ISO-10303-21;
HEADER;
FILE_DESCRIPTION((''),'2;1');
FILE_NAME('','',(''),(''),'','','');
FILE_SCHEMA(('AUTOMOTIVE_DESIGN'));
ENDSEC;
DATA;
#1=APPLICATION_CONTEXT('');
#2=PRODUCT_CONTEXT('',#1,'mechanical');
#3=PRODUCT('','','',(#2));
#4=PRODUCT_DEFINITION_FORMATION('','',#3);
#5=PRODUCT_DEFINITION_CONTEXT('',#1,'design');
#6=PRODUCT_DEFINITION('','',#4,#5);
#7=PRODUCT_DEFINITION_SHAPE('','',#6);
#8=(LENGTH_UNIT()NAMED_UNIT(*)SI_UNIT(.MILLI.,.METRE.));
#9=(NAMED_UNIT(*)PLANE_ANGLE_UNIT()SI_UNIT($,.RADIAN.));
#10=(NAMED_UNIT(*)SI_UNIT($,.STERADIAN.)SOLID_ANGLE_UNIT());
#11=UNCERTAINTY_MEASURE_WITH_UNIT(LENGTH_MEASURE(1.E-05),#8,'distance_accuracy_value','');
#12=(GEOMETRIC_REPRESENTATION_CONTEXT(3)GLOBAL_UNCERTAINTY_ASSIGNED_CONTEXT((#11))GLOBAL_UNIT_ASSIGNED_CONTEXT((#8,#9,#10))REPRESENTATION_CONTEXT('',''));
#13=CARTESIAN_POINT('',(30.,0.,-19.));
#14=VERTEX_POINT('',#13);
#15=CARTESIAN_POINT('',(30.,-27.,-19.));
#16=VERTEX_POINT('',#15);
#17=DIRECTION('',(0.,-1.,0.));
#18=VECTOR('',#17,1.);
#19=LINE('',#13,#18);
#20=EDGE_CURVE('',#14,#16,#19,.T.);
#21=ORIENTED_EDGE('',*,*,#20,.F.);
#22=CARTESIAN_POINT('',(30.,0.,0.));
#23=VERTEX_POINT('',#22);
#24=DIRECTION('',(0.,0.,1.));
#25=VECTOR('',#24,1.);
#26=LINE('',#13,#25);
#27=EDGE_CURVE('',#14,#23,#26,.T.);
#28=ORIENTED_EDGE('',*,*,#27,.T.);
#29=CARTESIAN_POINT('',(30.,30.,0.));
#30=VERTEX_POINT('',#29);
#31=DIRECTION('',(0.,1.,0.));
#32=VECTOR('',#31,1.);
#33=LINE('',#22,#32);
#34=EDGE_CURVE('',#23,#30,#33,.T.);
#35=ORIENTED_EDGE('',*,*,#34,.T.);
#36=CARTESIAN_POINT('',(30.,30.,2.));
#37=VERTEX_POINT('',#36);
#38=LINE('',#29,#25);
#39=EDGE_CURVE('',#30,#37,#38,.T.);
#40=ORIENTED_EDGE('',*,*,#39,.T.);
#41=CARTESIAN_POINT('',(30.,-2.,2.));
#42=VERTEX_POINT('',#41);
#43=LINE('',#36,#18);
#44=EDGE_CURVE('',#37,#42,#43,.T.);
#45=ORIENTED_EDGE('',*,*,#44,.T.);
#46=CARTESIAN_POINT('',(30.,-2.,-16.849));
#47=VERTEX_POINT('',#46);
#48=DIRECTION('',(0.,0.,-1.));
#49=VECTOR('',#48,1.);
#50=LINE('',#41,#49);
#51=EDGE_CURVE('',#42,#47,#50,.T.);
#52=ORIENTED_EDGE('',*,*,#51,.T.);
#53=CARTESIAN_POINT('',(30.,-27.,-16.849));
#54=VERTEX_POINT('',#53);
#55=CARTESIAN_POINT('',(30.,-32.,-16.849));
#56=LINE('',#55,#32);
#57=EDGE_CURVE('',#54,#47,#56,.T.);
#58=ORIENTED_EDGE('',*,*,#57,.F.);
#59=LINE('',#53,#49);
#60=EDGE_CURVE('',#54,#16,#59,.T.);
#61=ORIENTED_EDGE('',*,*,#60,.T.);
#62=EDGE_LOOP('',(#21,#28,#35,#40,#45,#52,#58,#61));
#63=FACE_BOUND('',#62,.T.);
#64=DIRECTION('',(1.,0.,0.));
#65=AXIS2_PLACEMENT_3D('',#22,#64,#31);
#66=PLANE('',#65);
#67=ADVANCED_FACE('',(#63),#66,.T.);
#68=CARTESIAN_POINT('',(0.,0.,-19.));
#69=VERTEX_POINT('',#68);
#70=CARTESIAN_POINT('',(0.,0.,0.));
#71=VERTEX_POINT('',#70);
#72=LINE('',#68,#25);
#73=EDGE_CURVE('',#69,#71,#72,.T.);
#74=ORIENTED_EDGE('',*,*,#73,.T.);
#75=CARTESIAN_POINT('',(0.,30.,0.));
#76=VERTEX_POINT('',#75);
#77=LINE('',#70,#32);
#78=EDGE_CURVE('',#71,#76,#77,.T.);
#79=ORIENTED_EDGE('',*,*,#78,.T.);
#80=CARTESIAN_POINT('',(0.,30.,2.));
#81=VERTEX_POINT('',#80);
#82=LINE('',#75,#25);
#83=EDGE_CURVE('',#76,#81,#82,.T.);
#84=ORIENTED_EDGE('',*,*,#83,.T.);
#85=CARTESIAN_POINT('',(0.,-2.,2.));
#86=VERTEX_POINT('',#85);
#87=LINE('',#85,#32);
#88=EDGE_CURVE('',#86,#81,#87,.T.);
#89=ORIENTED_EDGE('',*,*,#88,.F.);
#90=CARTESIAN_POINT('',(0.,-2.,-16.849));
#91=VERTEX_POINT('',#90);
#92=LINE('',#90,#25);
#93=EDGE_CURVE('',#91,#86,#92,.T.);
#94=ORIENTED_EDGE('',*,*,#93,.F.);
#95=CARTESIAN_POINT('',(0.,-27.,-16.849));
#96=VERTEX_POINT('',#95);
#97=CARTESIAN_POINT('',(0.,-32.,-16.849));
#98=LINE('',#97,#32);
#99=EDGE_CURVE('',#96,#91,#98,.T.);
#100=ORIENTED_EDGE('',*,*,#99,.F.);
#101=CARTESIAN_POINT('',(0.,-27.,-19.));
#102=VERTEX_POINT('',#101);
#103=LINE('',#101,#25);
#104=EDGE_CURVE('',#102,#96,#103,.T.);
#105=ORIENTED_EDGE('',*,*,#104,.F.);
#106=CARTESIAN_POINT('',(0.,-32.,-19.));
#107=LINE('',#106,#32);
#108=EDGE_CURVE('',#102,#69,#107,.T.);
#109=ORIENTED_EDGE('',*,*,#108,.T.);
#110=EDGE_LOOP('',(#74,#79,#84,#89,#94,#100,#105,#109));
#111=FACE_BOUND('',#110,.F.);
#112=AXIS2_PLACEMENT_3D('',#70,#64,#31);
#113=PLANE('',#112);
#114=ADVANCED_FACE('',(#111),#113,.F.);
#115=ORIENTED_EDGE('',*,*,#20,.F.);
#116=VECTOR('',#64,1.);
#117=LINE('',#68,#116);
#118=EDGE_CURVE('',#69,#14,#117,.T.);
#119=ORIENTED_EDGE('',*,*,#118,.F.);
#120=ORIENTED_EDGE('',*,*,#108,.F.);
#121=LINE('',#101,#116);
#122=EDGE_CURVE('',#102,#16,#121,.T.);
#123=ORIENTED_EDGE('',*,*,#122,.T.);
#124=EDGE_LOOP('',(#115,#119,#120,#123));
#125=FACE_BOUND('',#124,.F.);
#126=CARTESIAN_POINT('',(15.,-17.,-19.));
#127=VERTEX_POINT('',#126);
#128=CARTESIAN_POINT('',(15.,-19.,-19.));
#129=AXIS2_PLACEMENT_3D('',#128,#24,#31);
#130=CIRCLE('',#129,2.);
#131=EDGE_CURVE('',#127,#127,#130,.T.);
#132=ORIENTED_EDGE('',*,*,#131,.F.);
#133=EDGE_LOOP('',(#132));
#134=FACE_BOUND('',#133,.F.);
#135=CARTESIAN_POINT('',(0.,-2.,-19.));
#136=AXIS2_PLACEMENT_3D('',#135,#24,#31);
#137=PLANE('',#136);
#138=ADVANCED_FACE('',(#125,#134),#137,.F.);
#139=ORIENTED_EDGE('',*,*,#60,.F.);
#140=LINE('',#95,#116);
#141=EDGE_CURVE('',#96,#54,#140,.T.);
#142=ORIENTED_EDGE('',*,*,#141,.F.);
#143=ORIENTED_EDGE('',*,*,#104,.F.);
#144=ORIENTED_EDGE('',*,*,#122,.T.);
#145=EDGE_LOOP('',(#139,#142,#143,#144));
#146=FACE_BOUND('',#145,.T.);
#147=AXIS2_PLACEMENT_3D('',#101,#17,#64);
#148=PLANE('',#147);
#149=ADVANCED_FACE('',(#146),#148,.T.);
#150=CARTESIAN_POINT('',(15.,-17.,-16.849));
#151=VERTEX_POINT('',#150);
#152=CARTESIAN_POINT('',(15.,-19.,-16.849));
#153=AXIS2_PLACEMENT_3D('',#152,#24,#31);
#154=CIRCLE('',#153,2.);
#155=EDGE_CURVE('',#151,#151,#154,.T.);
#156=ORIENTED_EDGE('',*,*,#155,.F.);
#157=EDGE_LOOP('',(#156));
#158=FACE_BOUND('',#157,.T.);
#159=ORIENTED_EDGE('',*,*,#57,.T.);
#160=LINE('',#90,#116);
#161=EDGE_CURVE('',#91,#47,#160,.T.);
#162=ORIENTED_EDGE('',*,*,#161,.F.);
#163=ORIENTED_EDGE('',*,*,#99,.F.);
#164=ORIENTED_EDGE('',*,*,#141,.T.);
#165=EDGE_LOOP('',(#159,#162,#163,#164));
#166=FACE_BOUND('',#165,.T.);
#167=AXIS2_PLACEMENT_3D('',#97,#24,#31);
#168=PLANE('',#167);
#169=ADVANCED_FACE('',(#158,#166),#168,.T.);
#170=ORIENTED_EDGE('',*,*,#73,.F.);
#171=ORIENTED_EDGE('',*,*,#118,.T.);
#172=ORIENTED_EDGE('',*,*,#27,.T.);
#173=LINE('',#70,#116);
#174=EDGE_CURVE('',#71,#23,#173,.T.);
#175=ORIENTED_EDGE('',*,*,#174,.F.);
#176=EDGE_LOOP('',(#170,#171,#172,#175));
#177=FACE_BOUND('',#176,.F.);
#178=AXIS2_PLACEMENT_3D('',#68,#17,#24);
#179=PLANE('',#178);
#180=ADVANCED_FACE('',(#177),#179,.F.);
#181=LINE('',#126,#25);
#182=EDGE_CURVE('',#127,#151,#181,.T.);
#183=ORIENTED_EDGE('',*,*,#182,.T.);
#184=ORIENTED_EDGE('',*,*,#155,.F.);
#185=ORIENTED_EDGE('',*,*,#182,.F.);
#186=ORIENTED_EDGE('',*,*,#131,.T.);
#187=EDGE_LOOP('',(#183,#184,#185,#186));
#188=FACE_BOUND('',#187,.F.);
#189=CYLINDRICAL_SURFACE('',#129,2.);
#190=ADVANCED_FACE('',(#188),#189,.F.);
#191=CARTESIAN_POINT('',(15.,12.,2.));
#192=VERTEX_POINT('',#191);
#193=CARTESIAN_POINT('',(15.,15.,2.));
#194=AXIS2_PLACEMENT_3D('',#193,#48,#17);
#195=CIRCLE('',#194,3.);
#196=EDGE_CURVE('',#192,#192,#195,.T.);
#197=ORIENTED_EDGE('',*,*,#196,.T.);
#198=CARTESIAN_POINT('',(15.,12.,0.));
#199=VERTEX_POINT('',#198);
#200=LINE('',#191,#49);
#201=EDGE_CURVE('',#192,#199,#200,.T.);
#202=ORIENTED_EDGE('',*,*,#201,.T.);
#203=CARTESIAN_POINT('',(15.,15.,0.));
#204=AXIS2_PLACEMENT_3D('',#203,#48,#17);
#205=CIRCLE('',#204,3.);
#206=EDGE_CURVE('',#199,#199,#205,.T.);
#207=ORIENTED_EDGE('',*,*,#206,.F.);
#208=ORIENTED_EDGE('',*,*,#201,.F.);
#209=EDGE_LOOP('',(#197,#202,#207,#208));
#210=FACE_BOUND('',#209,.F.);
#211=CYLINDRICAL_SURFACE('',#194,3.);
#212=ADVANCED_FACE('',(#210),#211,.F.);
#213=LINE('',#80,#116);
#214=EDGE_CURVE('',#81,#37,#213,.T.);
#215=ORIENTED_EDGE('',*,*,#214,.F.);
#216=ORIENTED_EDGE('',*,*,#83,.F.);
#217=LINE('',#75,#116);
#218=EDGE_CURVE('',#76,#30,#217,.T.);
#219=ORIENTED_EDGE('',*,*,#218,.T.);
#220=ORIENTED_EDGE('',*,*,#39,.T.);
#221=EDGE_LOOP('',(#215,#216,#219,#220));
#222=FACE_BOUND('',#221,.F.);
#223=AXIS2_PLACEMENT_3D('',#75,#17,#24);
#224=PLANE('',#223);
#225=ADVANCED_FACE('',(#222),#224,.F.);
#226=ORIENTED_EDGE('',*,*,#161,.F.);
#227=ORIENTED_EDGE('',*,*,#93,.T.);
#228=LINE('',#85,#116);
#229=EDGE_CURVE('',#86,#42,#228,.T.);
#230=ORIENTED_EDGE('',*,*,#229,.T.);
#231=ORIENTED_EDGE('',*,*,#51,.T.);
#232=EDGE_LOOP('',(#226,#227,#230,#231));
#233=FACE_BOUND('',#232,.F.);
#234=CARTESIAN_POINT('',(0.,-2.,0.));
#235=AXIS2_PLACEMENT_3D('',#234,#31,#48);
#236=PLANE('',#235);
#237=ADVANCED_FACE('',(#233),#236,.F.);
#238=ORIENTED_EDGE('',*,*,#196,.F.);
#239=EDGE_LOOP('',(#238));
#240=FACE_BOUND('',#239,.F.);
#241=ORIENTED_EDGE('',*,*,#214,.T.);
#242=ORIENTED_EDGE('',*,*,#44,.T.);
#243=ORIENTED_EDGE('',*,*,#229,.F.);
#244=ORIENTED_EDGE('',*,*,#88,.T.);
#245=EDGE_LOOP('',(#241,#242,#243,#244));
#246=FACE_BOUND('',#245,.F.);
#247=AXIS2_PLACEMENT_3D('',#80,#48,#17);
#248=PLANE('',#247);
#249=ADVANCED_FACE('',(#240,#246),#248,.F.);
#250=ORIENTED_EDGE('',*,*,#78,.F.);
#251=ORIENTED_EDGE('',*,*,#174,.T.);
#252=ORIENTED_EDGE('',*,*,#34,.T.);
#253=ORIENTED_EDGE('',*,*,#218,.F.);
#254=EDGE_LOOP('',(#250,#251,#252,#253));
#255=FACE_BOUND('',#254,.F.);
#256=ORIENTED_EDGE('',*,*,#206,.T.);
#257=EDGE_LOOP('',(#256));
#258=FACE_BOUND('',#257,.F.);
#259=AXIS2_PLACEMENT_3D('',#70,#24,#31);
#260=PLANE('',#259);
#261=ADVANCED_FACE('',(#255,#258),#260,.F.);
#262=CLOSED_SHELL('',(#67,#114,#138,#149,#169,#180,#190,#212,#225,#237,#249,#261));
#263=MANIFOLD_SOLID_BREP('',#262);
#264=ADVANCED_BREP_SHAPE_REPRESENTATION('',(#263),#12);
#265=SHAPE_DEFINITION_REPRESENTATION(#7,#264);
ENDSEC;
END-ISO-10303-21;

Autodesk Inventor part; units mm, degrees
ref_plane "YZ Plane" through (0, 0, 0) normal (1, 0, 0) x (0, 1, 0)
ref_plane "XZ Plane" through (0, 0, 0) normal (0, 1, 0) x (-1, 0, 0)
ref_plane "XY Plane" through (0, 0, 0) normal (0, 0, 1) x (1, 0, 0)
sketch "Sketch1" plane through (0, 0, 0) normal (1, 0, 0) x (0, 1, 0)
  line L0 (0, 0) -> (-2, 0)
  line L1 (-2, 0) -> (-2, -19)
  line L2 (-2, -19) -> (0, -19)
  line L3 (0, -19) -> (0, 0)
  line L4 (0, 0) -> (30, 0)
  line L5 (30, 0) -> (30, 2)
  line L6 (30, 2) -> (0, 2)
  line L7 (0, 2) -> (0, 0)
  line L8 (-2, -19) -> (-32, -19)
  line L9 (-32, -19) -> (-32, -16.849)
  line L10 (-32, -16.849) -> (-2, -16.849)
  line L11 (-2, -16.849) -> (-2, -19)
  line L12 (0, 0) -> (-2, 0)
  line L13 (-2, 0) -> (-2, 2)
  line L14 (-2, 2) -> (0, 2)
  line L15 (0, 2) -> (0, 0)
  point P0 (-2, -16.849)
  dimension "d0" = 2
  dimension "d1" = 19
  dimension "d2" = 30
  dimension "d3" = 2
  dimension "d4" = 30
extrude "Extrusion1" add sketch "Sketch1" along normal blind 30
sketch "Sketch2" plane through (0, -2, 2) normal (0, 0, 1) x (1, 0, 0)
  line L0 (0, 0) -> (30, 0) projected
  line L1 (0, 0) -> (15, 0)
  line L2 (15, 0) -> (15, 17)
  circle A0 centre (15, 17) radius 3
  point P0 (0, 2)
  dimension "d7" = 17
  dimension "d8" = 6
hole "Hole1" at (15, 15, 2) direction (0, 0, -1) diameter 6 end through all
sketch "Sketch4" plane through (0, -32, -19) normal (0, 0, -1) x (-1, 0, 0)
  line L0 (0, 32) -> (-15, 32)
  line L1 (0, 32) -> (-30, 32) projected
  line L2 (-15, 32) -> (-15, 13)
  dimension "d25" = 19
hole "Hole3" at (15, -19, -19) direction (0, 0, 1) diameter 4 end through all
sketch "Sketch5" plane through (0, -32, -19) normal (0, -1, 0) x (1, 0, 0)
  line L0 (0, 0) -> (30, 0) projected
  line L1 (0, 2.151) -> (30, 2.151) projected
  line L2 (30, 0) -> (0, 0)
  line L3 (0, 0) -> (0, 2.151)
  line L4 (0, 2.151) -> (30, 2.151)
  line L5 (30, 2.151) -> (30, 0)
  point P0 (0, 19)
extrude "Extrusion2" cut sketch "Sketch5" against normal blind 5
thread "Thread1" size "M4x0.7" class "6H" standard "ANSI Metric M Profile" length 70
properties part number "transversal-2l-stabilizer" material "Aluminum 6061"
